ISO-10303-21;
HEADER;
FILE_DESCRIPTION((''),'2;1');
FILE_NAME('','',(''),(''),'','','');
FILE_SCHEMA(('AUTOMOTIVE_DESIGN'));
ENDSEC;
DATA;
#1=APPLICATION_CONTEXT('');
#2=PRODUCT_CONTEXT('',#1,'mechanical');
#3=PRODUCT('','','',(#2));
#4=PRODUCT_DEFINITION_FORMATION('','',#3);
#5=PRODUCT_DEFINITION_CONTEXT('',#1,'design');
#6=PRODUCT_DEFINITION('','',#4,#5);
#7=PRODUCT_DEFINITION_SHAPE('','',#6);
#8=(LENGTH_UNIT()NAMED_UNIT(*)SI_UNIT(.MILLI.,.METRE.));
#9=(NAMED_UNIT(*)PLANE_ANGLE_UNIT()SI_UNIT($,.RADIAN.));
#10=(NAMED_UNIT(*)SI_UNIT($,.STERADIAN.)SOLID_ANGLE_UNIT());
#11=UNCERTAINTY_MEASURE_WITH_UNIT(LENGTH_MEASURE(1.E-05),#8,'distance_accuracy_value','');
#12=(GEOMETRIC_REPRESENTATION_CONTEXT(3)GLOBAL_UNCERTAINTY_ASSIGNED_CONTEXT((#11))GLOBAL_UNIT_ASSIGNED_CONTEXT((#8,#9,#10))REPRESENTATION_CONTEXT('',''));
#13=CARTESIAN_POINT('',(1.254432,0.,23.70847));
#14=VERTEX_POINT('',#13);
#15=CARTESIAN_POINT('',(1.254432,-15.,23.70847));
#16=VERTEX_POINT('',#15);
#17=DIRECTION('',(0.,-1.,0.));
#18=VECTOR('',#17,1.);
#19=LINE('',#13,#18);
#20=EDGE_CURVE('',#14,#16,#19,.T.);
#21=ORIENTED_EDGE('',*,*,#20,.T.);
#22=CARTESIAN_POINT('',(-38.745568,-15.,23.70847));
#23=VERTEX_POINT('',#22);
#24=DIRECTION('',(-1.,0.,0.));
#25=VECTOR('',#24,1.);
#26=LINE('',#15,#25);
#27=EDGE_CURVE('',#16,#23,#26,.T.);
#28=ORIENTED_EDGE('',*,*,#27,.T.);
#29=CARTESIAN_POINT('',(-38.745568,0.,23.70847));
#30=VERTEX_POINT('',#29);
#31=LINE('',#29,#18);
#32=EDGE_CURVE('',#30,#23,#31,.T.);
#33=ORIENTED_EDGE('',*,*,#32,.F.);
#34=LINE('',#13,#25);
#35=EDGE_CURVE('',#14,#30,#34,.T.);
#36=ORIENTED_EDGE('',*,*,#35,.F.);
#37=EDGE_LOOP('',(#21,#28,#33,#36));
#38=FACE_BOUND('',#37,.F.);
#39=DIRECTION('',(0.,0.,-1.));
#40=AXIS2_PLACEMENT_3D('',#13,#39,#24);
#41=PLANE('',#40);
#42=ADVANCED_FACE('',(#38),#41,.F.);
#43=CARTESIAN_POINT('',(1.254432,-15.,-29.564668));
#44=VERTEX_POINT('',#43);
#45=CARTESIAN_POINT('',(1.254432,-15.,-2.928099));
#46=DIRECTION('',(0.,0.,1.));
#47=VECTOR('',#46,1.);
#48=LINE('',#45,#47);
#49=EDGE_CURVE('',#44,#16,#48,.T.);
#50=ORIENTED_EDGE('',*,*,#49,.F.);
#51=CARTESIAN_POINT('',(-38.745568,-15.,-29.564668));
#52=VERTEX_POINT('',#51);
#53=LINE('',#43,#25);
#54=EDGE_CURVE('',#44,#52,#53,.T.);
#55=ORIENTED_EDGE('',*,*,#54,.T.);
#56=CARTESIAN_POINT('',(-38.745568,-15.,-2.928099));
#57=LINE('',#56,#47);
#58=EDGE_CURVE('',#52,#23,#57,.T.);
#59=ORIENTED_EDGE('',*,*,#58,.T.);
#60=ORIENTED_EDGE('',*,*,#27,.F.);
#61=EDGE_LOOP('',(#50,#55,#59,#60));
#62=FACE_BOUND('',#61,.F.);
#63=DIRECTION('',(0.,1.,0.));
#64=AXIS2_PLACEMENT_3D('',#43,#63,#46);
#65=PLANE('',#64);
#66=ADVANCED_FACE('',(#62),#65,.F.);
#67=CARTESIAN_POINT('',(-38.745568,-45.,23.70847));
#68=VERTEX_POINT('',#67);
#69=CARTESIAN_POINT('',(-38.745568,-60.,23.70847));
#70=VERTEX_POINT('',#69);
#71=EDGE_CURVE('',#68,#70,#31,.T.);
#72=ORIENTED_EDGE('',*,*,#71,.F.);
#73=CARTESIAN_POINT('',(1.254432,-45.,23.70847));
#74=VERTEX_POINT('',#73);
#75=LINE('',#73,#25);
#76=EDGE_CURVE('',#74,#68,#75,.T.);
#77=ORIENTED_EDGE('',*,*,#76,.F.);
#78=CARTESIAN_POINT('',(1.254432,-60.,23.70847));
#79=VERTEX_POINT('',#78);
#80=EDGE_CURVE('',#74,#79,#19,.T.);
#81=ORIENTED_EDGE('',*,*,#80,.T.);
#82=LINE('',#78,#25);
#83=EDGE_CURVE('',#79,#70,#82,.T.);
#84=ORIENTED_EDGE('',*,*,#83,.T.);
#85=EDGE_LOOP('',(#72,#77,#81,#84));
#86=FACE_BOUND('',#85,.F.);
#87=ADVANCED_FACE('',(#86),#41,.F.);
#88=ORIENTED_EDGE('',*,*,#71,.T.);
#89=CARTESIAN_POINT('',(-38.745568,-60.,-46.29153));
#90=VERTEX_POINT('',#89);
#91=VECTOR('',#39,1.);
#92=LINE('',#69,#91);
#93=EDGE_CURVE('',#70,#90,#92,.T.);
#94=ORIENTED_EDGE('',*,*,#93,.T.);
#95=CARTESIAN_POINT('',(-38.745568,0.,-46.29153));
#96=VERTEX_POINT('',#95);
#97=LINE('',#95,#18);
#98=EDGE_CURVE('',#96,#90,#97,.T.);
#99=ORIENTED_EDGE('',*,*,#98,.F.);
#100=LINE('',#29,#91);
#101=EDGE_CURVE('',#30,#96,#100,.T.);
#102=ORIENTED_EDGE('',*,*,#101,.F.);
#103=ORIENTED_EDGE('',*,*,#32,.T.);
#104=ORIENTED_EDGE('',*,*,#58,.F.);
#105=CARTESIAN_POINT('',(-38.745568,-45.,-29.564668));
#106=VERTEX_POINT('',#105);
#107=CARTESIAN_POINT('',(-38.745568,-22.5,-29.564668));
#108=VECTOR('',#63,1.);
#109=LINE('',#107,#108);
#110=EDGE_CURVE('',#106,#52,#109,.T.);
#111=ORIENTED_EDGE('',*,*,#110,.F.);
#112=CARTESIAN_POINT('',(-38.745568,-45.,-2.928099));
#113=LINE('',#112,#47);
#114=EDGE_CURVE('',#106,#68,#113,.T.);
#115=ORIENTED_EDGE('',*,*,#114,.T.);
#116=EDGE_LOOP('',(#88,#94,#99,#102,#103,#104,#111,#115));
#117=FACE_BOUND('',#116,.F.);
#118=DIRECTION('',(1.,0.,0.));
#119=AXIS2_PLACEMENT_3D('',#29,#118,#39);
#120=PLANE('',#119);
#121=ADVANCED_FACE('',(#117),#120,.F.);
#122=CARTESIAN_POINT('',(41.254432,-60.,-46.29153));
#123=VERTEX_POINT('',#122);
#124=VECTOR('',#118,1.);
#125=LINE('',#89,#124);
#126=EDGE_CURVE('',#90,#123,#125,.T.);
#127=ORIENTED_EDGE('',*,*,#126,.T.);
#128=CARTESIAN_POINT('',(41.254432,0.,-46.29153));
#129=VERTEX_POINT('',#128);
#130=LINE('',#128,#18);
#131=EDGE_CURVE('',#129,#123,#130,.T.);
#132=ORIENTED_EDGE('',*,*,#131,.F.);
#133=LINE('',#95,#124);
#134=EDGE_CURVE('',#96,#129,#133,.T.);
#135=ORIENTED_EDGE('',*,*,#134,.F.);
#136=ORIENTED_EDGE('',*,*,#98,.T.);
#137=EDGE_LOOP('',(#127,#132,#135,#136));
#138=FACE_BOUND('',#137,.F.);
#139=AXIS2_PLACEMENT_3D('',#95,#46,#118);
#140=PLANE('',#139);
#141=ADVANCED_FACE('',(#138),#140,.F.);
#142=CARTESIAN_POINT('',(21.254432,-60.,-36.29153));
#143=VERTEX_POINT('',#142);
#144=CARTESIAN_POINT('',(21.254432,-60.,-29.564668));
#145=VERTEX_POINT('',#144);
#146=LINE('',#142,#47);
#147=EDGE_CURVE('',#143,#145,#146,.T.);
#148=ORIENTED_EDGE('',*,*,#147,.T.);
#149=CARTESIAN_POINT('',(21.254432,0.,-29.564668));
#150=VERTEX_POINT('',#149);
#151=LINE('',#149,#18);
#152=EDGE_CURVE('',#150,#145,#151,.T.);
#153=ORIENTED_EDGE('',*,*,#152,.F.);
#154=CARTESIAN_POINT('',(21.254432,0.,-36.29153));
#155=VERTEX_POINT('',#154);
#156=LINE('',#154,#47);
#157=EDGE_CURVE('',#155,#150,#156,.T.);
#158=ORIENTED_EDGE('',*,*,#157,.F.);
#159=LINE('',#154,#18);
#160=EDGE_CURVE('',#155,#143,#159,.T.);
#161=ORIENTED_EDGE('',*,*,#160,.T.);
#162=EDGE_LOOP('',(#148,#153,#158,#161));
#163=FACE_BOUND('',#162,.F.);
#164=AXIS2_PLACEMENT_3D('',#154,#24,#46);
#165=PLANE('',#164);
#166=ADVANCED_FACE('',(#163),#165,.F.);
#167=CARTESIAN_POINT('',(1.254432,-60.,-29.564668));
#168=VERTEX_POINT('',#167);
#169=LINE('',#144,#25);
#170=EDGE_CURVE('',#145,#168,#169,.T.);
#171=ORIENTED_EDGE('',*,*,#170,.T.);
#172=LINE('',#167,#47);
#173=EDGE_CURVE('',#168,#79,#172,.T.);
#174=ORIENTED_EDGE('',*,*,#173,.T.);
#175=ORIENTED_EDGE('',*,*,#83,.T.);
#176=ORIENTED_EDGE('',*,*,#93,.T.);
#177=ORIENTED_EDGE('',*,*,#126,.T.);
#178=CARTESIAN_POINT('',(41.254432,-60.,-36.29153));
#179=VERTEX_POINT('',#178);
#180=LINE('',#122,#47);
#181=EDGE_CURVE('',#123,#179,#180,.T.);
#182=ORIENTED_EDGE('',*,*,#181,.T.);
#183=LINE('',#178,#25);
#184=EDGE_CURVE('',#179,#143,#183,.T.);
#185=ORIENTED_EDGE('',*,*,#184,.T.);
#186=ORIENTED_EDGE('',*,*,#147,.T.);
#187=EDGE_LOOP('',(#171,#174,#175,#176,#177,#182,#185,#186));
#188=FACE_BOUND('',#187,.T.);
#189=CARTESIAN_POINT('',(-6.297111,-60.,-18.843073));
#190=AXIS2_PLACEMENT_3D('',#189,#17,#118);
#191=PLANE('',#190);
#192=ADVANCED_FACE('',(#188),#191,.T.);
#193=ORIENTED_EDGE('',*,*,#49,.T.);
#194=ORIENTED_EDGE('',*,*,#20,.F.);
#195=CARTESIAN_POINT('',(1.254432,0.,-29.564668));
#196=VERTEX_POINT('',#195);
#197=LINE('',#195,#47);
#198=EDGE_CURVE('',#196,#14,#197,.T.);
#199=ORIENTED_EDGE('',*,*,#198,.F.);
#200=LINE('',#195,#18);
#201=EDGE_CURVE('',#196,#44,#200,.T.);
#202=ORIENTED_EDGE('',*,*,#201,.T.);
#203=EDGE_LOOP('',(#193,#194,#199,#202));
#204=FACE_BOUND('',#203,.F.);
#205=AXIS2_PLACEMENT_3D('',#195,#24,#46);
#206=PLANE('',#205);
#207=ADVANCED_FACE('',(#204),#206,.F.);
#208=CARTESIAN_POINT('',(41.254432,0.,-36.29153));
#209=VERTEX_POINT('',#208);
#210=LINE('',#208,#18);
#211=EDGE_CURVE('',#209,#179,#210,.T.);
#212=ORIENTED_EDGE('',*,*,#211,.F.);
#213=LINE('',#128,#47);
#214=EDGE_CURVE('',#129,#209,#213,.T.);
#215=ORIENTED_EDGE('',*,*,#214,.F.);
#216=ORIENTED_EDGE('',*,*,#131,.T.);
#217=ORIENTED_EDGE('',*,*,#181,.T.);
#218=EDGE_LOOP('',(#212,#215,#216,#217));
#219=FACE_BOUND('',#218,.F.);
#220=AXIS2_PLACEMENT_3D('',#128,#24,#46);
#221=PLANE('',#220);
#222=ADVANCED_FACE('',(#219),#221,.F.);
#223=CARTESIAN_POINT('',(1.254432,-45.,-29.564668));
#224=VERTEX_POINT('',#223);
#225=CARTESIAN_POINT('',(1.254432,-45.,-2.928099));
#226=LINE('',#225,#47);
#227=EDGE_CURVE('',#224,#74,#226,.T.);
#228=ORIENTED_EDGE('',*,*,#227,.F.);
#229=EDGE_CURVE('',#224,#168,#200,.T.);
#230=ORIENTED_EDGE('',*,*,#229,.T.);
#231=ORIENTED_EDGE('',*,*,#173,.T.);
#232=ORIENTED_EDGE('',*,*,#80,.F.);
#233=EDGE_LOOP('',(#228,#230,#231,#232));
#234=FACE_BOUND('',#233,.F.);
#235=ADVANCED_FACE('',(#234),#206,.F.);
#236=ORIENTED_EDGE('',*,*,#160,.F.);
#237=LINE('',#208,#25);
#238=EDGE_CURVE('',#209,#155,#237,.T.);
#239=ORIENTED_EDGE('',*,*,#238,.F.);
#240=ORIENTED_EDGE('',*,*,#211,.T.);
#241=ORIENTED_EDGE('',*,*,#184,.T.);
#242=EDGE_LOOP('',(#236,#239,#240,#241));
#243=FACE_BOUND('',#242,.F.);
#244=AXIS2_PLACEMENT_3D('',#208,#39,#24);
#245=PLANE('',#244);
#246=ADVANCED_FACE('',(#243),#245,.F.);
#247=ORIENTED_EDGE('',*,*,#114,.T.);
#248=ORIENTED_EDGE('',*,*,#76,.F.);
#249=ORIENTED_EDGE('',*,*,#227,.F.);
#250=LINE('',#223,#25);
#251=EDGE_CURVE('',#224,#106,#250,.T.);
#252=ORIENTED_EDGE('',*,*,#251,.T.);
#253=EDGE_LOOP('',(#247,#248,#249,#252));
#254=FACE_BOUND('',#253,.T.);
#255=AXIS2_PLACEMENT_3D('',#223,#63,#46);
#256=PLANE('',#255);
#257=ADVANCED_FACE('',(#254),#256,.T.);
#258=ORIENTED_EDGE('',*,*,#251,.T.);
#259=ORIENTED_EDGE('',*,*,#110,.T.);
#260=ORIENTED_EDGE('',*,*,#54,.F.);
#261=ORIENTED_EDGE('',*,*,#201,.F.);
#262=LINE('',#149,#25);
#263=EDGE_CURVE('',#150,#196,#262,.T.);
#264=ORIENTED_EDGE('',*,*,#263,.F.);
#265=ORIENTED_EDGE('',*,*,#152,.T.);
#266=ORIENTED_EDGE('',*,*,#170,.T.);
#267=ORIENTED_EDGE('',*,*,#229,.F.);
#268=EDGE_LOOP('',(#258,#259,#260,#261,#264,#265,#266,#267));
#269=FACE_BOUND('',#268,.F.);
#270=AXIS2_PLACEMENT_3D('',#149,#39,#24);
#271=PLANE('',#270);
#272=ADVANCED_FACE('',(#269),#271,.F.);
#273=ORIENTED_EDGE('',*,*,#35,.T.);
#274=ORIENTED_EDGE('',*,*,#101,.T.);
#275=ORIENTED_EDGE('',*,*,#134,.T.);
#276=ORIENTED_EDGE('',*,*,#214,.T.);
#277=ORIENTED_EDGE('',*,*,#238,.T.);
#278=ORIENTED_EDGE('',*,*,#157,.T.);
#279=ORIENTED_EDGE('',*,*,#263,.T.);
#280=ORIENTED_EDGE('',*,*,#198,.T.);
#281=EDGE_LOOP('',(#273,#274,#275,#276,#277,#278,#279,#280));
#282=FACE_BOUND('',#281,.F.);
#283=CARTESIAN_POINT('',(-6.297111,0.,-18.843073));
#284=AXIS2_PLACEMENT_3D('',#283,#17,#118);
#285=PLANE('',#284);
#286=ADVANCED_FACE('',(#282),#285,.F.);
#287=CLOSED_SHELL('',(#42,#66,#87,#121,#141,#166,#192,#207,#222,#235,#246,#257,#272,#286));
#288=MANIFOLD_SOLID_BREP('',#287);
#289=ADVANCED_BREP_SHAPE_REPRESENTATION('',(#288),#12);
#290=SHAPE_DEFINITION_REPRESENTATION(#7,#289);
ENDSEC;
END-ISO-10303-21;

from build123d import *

# Parameters (mm, degrees)
F1_DEPTH = 60
F2_W     = 30
F2_H     = 53.273138
F3_DEPTH = 40.001


with BuildPart() as f1:
    # F0 (on Front) → F1 (new body)
    with BuildSketch(Plane.XZ):
        Polygon((1.254432, 23.70847), (-38.745568, 23.70847), (-38.745568, -46.29153), (41.254432, -46.29153), (41.254432, -36.29153), (21.254432, -36.29153), (21.254432, -29.564668), (1.254432, -29.564668), align=None)
    extrude(amount=F1_DEPTH)

    # F2 (on face) → F3 (cut, through all)
    with BuildSketch(Plane.YZ.offset(1.254432)):
        with Locations((-30, -2.928099)):
            Rectangle(F2_W, F2_H)
    extrude(amount=-F3_DEPTH, mode=Mode.SUBTRACT)


solid = f1.part
